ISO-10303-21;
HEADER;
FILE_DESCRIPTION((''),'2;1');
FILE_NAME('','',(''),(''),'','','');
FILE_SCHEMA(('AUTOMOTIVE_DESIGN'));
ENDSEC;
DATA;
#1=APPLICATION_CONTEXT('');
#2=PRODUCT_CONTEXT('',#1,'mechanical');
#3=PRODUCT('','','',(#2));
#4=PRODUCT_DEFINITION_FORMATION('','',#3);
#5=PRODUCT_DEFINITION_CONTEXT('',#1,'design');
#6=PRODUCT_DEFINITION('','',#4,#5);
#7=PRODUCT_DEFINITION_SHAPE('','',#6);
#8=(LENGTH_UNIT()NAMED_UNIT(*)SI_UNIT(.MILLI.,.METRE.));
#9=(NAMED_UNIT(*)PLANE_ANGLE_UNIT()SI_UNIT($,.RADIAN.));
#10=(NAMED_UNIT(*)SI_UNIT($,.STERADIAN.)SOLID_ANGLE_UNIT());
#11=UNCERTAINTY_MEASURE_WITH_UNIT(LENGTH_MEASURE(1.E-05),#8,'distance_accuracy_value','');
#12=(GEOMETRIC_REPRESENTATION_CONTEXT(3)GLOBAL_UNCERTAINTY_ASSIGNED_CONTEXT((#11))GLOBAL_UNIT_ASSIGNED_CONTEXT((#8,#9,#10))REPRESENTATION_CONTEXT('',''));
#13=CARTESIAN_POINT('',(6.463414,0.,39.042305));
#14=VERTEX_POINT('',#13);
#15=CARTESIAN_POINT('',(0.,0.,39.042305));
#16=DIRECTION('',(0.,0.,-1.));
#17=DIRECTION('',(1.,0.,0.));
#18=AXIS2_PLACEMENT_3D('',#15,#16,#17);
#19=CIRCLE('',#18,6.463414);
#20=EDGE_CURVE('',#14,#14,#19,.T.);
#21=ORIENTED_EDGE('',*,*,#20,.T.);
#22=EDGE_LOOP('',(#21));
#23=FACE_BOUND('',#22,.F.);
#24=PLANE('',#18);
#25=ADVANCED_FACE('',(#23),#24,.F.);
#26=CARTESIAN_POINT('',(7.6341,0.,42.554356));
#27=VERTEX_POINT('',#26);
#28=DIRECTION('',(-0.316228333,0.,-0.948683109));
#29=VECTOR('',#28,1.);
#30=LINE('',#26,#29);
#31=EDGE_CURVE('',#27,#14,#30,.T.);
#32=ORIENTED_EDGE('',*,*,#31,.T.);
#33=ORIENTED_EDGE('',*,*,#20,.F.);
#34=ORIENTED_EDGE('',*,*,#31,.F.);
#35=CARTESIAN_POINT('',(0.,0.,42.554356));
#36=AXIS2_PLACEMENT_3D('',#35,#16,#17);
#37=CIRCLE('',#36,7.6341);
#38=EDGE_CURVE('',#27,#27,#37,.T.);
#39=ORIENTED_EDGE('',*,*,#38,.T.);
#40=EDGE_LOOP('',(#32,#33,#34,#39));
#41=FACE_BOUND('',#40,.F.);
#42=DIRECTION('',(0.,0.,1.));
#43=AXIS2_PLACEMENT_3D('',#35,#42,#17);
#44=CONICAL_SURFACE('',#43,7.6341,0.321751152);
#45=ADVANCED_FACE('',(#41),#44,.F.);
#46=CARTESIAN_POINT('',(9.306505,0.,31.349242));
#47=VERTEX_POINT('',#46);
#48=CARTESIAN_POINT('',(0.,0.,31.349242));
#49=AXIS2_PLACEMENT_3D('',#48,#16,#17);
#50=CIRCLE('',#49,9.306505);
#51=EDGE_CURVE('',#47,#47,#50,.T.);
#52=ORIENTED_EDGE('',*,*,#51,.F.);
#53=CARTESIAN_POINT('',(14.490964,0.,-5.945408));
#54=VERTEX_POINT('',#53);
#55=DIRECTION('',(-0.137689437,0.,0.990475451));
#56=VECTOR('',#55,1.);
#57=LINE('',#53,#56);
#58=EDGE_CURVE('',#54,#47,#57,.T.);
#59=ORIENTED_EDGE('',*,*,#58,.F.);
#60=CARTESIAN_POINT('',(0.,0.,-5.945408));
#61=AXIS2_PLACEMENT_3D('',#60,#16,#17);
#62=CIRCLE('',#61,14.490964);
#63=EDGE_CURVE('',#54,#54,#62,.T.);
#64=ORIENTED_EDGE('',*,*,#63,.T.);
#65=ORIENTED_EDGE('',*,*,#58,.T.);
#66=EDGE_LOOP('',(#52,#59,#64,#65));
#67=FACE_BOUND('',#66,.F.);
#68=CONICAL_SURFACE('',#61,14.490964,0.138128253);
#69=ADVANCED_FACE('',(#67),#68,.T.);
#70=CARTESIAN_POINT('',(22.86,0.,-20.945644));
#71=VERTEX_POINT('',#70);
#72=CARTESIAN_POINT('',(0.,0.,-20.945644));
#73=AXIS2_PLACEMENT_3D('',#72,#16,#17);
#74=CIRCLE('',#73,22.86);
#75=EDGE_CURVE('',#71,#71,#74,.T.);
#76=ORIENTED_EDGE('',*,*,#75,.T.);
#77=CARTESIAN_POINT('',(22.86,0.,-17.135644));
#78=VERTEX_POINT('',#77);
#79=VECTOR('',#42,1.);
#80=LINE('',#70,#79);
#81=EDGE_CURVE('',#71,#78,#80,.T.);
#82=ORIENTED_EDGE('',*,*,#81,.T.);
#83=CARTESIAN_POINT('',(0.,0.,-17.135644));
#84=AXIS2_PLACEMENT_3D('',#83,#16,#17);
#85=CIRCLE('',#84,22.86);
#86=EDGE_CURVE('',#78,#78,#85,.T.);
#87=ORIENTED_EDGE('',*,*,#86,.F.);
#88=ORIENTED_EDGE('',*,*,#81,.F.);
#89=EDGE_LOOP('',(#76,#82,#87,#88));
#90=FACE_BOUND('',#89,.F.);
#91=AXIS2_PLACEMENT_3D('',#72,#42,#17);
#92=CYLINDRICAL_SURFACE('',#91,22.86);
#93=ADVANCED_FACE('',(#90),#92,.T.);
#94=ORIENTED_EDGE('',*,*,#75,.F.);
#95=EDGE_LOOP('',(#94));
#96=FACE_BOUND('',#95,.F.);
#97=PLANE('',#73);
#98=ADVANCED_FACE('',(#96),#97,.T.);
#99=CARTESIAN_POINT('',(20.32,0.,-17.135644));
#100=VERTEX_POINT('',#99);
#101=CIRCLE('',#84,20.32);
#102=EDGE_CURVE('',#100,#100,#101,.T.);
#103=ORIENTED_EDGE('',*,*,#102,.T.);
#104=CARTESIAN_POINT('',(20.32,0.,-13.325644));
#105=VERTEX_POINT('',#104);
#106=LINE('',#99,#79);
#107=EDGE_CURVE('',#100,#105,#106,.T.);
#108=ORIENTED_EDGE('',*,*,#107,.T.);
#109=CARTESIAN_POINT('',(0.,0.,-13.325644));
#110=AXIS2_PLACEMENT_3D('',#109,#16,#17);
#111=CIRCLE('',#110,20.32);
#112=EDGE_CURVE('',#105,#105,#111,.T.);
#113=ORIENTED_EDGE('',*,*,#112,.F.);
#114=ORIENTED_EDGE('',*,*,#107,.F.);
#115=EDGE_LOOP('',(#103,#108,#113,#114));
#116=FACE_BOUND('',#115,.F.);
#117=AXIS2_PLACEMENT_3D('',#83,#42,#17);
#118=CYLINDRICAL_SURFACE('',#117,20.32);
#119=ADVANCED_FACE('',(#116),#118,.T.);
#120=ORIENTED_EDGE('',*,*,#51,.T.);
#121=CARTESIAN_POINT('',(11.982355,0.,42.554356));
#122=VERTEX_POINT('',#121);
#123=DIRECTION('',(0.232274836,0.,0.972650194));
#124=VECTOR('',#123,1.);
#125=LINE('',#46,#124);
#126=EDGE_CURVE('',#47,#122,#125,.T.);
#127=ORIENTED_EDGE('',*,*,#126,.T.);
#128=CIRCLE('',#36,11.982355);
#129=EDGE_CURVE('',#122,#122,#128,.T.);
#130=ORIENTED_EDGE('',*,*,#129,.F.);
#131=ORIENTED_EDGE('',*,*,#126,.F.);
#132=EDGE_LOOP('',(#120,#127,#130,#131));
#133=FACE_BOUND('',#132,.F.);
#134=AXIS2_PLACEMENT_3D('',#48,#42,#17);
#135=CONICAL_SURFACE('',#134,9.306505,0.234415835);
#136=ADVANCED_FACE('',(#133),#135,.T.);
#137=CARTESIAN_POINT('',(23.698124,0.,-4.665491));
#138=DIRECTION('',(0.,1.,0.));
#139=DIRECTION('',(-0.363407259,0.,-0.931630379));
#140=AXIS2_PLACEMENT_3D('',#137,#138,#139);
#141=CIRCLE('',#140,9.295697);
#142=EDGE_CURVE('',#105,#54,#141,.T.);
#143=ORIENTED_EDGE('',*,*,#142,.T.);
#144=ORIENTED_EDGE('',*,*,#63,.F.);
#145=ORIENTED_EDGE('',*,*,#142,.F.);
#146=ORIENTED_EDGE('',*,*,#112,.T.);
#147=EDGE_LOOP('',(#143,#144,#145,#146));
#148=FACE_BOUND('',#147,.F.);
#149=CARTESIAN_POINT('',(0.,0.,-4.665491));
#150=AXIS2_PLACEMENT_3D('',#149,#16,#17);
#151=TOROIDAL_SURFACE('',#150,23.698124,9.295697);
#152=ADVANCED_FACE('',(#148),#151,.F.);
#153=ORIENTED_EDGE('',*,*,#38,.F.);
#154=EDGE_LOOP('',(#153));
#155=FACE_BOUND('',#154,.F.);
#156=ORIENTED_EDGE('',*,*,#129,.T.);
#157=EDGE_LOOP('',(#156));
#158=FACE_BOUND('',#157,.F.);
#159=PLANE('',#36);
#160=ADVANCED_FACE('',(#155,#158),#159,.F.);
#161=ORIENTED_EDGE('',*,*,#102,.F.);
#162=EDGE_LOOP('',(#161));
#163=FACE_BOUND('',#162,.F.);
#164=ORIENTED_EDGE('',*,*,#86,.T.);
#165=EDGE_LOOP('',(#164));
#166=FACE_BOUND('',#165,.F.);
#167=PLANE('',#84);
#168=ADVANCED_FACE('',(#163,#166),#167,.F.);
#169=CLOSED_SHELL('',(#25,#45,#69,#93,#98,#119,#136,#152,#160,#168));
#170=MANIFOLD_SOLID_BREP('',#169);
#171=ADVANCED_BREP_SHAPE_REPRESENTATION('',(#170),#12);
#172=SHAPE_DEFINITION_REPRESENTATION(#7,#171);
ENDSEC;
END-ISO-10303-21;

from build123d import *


with BuildPart() as f1:
    # F0 (on Front) → F1 (revolve)
    with BuildSketch(Plane.XZ):
        with BuildLine():
            Line((6.463414, 39.042305), (0, 39.042305))
            Line((0, 39.042305), (0, -9.481955))
            Line((0, -9.481955), (0, -13.346981))
            Line((0, -13.346981), (0, -20.945644))
            Line((0, -20.945644), (22.86, -20.945644))
            Line((22.86, -20.945644), (22.86, -17.135644))
            Line((22.86, -17.135644), (20.32, -17.135644))
            Line((20.32, -17.135644), (20.32, -13.325644))
            ThreePointArc((20.32, -13.325644), (16.40331, -10.427059), (14.490964, -5.945408))
            Line((14.490964, -5.945408), (9.306505, 31.349242))
            Line((9.306505, 31.349242), (11.982355, 42.554356))
            Line((11.982355, 42.554356), (7.6341, 42.554356))
            Line((7.6341, 42.554356), (6.463414, 39.042305))
        make_face()
    revolve(axis=Axis((0, 0, 10.804356), (0, 0, -1)))


solid = f1.part
